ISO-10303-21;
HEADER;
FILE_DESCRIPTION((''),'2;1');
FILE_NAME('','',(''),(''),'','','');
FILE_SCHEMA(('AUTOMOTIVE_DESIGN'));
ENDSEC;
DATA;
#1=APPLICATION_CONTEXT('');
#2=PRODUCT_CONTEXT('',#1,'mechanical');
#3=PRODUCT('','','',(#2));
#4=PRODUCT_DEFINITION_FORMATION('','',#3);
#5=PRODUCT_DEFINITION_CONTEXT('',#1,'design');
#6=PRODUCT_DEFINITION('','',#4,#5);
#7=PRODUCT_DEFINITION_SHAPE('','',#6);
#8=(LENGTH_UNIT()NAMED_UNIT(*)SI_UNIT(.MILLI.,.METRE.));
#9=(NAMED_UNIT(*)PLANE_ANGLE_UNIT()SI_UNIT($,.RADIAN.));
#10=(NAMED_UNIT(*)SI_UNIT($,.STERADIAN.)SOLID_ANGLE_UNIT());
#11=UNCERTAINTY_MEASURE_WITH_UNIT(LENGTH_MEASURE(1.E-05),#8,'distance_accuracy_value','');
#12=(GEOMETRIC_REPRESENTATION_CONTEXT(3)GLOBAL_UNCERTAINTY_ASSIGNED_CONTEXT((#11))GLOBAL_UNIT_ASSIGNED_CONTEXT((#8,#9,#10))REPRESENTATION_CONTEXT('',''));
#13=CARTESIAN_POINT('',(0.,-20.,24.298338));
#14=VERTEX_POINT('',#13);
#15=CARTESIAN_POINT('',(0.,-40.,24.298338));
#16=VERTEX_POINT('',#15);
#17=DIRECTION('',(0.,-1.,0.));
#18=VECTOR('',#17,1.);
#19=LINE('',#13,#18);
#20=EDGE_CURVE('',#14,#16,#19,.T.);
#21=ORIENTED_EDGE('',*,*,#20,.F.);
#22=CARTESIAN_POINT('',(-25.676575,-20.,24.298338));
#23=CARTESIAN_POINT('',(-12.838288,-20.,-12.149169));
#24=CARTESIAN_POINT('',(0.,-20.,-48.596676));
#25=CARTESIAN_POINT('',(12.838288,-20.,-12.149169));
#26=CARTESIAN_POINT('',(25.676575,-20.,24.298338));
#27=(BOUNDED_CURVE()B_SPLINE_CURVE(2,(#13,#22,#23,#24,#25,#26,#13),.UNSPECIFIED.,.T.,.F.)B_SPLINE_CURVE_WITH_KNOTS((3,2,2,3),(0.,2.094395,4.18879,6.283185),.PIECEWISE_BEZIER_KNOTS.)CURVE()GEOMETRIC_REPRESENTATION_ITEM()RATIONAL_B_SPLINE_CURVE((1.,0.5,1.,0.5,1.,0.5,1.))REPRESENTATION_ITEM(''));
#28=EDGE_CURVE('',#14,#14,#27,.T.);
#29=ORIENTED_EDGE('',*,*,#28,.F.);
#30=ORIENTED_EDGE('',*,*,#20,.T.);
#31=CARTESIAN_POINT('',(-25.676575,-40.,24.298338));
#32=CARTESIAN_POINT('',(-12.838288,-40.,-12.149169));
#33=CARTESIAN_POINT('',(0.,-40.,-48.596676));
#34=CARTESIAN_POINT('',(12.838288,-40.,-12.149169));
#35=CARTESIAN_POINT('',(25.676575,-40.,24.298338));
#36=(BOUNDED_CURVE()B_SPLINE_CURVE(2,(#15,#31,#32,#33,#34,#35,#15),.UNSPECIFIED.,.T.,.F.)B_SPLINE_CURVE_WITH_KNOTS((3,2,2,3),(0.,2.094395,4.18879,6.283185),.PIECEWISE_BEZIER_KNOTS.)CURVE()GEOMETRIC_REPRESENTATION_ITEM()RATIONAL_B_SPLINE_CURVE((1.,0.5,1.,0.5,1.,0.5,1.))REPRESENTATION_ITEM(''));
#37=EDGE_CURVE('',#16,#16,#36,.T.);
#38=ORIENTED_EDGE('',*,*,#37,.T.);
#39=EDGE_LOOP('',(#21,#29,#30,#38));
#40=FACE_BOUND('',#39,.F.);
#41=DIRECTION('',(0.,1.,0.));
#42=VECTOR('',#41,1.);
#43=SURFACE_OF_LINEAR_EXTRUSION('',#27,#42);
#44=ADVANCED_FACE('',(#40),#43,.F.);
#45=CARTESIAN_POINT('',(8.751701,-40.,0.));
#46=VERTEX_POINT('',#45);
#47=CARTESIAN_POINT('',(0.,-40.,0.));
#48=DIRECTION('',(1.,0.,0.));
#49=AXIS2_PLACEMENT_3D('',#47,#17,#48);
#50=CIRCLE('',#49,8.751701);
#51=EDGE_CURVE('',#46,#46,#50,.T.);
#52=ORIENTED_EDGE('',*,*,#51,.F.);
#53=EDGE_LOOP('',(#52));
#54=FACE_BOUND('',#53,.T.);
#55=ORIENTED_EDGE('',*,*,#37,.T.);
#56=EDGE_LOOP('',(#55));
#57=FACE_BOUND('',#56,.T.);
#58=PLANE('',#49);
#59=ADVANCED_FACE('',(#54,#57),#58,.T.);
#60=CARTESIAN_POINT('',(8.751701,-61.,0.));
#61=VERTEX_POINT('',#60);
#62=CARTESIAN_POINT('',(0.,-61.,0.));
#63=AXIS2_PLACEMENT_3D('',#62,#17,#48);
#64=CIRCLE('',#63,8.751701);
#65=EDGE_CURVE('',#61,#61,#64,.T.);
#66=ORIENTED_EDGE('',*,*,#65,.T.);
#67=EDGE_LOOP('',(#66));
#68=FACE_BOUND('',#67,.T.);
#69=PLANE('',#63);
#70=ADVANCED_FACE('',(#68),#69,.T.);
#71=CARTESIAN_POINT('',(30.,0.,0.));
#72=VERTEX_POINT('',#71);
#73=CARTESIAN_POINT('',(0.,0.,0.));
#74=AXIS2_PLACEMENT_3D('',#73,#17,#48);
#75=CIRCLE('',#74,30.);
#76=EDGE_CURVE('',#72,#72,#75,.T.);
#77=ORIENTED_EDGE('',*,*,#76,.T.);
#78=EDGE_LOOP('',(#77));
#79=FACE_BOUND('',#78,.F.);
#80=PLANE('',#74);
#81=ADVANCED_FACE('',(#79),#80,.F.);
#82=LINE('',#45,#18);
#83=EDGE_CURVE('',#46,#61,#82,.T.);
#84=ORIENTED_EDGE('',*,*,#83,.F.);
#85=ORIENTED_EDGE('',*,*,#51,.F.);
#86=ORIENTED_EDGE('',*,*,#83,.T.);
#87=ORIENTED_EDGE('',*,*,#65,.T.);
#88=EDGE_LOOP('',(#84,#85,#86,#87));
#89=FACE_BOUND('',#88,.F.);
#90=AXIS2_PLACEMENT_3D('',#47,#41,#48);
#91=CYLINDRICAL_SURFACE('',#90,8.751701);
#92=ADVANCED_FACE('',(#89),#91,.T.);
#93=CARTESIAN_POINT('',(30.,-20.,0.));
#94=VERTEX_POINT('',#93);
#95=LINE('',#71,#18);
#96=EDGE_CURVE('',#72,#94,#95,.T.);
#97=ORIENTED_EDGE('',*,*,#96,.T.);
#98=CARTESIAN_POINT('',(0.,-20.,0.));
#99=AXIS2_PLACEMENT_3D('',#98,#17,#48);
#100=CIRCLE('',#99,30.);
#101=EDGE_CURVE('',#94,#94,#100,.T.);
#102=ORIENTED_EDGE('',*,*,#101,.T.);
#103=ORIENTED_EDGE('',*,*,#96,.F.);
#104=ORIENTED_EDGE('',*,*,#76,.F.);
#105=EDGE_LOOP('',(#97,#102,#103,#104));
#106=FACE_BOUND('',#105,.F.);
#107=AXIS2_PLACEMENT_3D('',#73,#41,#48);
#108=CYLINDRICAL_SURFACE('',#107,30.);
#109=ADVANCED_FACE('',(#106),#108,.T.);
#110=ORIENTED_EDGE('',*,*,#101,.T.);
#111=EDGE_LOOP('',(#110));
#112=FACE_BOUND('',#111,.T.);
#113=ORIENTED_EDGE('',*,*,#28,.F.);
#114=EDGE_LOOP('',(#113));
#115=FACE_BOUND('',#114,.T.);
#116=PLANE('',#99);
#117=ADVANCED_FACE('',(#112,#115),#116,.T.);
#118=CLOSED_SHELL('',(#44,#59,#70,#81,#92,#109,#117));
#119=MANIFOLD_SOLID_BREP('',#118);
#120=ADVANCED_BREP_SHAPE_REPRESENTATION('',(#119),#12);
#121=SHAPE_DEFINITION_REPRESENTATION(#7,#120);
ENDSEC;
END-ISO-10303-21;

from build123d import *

# Parameters (mm, degrees)
F0_R     = 30
F1_DEPTH = 20
F3_DEPTH = 20
F4_R     = 8.751701
F5_DEPTH = 21


with BuildPart() as f1:
    # F0 (on Front) → F1 (new body)
    with BuildSketch(Plane.XZ):
        Circle(F0_R)
    extrude(amount=F1_DEPTH)

    # F2 (on face) → F3 (join)
    with BuildSketch(Plane.XZ.offset(20)):
        with BuildLine():
            add(Edge.make_bspline(
                [(0, 24.298338), (-25.676575, 24.298338), (-12.838288, -12.149169), (0, -48.596676), (12.838288, -12.149169), (25.676575, 24.298338), (0, 24.298338)],
                knots=[0, 0, 0, 2.094395, 2.094395, 4.18879, 4.18879, 6.283185, 6.283185, 6.283185], degree=2, weights=[1, 0.5, 1, 0.5, 1, 0.5, 1]))
        make_face()
    extrude(amount=F3_DEPTH)

    # F4 (on face) → F5 (join)
    with BuildSketch(Plane.XZ.offset(40)):
        Circle(F4_R)
    extrude(amount=F5_DEPTH)


solid = f1.part
